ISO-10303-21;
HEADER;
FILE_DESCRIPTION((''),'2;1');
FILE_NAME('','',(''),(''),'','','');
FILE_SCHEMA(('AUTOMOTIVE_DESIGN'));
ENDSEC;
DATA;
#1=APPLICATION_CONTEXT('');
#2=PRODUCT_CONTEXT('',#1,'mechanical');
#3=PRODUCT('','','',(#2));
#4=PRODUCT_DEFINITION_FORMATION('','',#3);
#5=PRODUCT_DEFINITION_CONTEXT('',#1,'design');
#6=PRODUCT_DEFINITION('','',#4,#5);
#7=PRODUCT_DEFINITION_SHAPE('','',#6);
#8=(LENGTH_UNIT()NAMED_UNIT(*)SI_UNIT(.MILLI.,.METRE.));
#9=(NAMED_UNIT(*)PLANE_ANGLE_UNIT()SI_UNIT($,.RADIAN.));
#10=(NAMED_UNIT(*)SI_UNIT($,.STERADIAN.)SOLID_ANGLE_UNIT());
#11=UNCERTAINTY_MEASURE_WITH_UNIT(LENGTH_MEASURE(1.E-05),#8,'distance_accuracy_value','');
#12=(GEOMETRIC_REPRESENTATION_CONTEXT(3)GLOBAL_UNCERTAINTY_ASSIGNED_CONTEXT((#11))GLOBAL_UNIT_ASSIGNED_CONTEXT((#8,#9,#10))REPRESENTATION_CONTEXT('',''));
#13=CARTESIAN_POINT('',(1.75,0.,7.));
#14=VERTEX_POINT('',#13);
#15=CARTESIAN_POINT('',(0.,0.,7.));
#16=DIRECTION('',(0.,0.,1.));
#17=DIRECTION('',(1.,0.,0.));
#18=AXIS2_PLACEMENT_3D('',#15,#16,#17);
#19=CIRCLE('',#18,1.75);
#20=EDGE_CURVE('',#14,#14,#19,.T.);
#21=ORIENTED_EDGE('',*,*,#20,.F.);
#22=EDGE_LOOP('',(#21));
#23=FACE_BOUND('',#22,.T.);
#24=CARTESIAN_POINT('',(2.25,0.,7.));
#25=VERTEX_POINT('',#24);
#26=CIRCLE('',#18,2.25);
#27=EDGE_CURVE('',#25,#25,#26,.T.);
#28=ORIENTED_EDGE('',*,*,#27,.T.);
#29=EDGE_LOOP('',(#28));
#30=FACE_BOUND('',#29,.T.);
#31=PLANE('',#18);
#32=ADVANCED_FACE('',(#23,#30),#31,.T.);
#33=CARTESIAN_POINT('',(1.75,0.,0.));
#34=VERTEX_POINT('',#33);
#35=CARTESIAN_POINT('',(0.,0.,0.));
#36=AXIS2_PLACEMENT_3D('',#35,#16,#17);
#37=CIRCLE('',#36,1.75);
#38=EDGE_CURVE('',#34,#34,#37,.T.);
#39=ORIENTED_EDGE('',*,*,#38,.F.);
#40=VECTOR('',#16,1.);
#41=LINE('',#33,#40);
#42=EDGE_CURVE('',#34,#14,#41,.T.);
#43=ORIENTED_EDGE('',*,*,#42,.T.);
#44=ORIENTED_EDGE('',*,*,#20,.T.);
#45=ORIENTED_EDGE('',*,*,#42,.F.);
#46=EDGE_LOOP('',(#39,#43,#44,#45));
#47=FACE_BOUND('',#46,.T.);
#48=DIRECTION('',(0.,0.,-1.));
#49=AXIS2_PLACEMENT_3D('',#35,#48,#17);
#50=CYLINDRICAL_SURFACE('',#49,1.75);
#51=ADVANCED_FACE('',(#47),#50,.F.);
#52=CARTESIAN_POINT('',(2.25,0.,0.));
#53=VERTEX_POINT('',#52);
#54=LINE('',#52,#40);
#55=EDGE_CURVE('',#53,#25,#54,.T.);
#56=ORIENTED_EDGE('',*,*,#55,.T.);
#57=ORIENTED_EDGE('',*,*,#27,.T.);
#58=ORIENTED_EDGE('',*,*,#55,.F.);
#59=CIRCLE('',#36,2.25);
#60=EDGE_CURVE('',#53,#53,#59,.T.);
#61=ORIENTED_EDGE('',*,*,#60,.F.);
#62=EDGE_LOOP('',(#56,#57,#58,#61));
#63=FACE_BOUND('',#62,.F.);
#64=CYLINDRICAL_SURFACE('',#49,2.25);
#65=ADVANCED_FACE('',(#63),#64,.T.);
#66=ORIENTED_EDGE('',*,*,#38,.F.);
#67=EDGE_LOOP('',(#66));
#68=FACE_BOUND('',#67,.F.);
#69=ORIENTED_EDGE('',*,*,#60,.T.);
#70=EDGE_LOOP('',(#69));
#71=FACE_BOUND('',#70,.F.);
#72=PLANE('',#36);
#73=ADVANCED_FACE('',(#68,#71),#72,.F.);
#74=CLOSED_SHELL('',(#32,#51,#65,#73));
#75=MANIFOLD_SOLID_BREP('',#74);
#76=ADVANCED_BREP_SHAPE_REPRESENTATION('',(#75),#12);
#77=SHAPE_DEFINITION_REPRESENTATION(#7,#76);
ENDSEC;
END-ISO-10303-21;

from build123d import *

# Parameters (mm, degrees)
SKETCH_1_R      = 2.25
SKETCH_1_R_2    = 1.75
EXTRUDE_1_DEPTH = 7


with BuildPart() as part:
    # 草图1 → 凸台-拉伸1 (new body)
    with BuildSketch(Plane.XY):
        Circle(SKETCH_1_R)
        Circle(SKETCH_1_R_2, mode=Mode.SUBTRACT)
    extrude(amount=EXTRUDE_1_DEPTH)


solid = part.part
